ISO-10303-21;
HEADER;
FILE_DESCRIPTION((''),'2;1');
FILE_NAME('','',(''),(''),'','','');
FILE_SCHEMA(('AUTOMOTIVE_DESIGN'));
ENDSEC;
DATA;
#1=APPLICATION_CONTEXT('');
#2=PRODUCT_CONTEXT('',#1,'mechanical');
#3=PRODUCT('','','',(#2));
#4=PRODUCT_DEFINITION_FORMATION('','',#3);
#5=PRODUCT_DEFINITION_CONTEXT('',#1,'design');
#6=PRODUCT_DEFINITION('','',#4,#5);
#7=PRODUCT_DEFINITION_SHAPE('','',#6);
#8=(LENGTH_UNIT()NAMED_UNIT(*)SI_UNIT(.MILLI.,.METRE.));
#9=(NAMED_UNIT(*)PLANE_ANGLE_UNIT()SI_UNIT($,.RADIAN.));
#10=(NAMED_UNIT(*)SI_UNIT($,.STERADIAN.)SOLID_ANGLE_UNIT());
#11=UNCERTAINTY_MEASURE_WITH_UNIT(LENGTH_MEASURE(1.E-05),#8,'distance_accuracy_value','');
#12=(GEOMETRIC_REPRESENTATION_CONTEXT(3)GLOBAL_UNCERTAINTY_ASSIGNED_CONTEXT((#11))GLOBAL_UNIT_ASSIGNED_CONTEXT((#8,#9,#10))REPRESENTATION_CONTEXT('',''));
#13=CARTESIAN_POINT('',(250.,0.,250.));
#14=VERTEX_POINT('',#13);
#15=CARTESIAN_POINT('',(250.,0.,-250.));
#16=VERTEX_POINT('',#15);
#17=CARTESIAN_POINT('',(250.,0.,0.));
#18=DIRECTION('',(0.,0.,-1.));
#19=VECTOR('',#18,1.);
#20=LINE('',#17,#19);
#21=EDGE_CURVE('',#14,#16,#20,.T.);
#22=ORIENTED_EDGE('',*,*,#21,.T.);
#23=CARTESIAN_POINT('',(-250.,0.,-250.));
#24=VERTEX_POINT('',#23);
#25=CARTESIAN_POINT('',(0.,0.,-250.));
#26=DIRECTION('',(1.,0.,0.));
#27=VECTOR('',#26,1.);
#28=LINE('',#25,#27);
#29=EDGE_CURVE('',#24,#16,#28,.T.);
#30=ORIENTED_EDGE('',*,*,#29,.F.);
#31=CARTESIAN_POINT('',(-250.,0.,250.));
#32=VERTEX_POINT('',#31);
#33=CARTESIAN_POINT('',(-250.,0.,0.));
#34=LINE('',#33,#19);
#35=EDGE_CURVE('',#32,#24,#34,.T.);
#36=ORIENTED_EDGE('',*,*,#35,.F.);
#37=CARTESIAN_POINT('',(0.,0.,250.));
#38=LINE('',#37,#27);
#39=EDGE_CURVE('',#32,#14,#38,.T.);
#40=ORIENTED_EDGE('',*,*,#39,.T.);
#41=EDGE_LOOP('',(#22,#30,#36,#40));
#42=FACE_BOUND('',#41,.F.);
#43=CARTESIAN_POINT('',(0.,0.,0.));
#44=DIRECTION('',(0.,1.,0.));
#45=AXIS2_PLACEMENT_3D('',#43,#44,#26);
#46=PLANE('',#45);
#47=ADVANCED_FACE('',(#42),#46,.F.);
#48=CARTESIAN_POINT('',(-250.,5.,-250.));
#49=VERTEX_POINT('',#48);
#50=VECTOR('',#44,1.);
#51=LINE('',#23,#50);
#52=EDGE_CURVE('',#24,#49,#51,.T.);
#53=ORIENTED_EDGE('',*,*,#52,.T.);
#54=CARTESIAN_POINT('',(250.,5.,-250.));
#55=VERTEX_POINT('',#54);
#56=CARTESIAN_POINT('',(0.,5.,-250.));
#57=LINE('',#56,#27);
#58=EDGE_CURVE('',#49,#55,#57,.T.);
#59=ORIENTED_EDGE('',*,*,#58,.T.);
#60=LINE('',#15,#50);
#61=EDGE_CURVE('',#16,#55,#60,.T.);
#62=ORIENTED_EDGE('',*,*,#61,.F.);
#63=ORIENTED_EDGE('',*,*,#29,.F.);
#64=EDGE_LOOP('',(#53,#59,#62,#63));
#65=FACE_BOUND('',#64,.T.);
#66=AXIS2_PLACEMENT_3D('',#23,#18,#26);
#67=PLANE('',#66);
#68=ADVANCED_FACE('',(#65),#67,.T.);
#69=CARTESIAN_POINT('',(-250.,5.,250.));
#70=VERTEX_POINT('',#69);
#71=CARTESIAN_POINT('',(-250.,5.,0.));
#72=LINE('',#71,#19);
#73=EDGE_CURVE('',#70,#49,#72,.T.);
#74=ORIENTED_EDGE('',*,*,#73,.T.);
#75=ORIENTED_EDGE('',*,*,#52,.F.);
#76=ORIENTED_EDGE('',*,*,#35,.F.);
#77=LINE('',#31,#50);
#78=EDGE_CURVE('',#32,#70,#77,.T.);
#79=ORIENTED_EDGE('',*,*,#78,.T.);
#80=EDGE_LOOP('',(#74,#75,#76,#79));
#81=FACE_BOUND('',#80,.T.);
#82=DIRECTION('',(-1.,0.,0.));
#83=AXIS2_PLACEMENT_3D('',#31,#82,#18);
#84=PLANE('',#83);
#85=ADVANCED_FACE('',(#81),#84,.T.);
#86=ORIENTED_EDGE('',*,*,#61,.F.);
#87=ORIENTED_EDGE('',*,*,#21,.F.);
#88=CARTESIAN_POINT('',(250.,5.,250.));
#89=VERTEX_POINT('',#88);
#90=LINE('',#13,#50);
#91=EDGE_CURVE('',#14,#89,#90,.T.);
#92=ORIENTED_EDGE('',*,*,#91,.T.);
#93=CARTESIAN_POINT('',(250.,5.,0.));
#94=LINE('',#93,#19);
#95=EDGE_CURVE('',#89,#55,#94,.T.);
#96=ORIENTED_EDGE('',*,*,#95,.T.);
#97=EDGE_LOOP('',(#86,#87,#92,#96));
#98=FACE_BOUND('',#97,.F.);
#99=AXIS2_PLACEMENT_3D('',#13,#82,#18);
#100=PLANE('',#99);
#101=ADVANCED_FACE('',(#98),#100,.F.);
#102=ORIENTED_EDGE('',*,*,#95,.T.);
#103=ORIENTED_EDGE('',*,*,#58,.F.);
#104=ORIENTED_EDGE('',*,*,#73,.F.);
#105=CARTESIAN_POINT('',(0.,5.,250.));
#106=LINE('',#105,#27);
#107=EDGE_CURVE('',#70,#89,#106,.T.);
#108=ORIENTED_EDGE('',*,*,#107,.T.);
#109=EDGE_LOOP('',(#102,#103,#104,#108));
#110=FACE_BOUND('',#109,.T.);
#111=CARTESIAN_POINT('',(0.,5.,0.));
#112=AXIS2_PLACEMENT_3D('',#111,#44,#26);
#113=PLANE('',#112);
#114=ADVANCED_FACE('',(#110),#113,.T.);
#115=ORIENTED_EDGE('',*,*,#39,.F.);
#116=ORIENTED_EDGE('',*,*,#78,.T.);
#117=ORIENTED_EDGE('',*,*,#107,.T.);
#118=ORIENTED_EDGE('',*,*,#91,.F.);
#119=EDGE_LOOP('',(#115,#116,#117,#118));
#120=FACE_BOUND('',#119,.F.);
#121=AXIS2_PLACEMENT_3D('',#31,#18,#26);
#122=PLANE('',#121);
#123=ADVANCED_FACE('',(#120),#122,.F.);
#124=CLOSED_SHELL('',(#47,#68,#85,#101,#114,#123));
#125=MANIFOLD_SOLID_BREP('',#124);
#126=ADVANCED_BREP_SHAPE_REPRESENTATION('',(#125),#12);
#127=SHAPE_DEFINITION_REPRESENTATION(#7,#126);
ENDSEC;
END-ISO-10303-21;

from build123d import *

# Parameters (mm, degrees)
ESQUISSE1_W        = 500
ESQUISSE1_H        = 500
BOSS_EXTRU_1_DEPTH = 5


with BuildPart() as part:
    # Esquisse1 → Boss.-Extru.1 (new body)
    with BuildSketch(Plane(origin=(0, 0, 0), x_dir=(1, 0, 0), z_dir=(0, 1, 0))):
        Rectangle(ESQUISSE1_W, ESQUISSE1_H)
    extrude(amount=BOSS_EXTRU_1_DEPTH)


solid = part.part
